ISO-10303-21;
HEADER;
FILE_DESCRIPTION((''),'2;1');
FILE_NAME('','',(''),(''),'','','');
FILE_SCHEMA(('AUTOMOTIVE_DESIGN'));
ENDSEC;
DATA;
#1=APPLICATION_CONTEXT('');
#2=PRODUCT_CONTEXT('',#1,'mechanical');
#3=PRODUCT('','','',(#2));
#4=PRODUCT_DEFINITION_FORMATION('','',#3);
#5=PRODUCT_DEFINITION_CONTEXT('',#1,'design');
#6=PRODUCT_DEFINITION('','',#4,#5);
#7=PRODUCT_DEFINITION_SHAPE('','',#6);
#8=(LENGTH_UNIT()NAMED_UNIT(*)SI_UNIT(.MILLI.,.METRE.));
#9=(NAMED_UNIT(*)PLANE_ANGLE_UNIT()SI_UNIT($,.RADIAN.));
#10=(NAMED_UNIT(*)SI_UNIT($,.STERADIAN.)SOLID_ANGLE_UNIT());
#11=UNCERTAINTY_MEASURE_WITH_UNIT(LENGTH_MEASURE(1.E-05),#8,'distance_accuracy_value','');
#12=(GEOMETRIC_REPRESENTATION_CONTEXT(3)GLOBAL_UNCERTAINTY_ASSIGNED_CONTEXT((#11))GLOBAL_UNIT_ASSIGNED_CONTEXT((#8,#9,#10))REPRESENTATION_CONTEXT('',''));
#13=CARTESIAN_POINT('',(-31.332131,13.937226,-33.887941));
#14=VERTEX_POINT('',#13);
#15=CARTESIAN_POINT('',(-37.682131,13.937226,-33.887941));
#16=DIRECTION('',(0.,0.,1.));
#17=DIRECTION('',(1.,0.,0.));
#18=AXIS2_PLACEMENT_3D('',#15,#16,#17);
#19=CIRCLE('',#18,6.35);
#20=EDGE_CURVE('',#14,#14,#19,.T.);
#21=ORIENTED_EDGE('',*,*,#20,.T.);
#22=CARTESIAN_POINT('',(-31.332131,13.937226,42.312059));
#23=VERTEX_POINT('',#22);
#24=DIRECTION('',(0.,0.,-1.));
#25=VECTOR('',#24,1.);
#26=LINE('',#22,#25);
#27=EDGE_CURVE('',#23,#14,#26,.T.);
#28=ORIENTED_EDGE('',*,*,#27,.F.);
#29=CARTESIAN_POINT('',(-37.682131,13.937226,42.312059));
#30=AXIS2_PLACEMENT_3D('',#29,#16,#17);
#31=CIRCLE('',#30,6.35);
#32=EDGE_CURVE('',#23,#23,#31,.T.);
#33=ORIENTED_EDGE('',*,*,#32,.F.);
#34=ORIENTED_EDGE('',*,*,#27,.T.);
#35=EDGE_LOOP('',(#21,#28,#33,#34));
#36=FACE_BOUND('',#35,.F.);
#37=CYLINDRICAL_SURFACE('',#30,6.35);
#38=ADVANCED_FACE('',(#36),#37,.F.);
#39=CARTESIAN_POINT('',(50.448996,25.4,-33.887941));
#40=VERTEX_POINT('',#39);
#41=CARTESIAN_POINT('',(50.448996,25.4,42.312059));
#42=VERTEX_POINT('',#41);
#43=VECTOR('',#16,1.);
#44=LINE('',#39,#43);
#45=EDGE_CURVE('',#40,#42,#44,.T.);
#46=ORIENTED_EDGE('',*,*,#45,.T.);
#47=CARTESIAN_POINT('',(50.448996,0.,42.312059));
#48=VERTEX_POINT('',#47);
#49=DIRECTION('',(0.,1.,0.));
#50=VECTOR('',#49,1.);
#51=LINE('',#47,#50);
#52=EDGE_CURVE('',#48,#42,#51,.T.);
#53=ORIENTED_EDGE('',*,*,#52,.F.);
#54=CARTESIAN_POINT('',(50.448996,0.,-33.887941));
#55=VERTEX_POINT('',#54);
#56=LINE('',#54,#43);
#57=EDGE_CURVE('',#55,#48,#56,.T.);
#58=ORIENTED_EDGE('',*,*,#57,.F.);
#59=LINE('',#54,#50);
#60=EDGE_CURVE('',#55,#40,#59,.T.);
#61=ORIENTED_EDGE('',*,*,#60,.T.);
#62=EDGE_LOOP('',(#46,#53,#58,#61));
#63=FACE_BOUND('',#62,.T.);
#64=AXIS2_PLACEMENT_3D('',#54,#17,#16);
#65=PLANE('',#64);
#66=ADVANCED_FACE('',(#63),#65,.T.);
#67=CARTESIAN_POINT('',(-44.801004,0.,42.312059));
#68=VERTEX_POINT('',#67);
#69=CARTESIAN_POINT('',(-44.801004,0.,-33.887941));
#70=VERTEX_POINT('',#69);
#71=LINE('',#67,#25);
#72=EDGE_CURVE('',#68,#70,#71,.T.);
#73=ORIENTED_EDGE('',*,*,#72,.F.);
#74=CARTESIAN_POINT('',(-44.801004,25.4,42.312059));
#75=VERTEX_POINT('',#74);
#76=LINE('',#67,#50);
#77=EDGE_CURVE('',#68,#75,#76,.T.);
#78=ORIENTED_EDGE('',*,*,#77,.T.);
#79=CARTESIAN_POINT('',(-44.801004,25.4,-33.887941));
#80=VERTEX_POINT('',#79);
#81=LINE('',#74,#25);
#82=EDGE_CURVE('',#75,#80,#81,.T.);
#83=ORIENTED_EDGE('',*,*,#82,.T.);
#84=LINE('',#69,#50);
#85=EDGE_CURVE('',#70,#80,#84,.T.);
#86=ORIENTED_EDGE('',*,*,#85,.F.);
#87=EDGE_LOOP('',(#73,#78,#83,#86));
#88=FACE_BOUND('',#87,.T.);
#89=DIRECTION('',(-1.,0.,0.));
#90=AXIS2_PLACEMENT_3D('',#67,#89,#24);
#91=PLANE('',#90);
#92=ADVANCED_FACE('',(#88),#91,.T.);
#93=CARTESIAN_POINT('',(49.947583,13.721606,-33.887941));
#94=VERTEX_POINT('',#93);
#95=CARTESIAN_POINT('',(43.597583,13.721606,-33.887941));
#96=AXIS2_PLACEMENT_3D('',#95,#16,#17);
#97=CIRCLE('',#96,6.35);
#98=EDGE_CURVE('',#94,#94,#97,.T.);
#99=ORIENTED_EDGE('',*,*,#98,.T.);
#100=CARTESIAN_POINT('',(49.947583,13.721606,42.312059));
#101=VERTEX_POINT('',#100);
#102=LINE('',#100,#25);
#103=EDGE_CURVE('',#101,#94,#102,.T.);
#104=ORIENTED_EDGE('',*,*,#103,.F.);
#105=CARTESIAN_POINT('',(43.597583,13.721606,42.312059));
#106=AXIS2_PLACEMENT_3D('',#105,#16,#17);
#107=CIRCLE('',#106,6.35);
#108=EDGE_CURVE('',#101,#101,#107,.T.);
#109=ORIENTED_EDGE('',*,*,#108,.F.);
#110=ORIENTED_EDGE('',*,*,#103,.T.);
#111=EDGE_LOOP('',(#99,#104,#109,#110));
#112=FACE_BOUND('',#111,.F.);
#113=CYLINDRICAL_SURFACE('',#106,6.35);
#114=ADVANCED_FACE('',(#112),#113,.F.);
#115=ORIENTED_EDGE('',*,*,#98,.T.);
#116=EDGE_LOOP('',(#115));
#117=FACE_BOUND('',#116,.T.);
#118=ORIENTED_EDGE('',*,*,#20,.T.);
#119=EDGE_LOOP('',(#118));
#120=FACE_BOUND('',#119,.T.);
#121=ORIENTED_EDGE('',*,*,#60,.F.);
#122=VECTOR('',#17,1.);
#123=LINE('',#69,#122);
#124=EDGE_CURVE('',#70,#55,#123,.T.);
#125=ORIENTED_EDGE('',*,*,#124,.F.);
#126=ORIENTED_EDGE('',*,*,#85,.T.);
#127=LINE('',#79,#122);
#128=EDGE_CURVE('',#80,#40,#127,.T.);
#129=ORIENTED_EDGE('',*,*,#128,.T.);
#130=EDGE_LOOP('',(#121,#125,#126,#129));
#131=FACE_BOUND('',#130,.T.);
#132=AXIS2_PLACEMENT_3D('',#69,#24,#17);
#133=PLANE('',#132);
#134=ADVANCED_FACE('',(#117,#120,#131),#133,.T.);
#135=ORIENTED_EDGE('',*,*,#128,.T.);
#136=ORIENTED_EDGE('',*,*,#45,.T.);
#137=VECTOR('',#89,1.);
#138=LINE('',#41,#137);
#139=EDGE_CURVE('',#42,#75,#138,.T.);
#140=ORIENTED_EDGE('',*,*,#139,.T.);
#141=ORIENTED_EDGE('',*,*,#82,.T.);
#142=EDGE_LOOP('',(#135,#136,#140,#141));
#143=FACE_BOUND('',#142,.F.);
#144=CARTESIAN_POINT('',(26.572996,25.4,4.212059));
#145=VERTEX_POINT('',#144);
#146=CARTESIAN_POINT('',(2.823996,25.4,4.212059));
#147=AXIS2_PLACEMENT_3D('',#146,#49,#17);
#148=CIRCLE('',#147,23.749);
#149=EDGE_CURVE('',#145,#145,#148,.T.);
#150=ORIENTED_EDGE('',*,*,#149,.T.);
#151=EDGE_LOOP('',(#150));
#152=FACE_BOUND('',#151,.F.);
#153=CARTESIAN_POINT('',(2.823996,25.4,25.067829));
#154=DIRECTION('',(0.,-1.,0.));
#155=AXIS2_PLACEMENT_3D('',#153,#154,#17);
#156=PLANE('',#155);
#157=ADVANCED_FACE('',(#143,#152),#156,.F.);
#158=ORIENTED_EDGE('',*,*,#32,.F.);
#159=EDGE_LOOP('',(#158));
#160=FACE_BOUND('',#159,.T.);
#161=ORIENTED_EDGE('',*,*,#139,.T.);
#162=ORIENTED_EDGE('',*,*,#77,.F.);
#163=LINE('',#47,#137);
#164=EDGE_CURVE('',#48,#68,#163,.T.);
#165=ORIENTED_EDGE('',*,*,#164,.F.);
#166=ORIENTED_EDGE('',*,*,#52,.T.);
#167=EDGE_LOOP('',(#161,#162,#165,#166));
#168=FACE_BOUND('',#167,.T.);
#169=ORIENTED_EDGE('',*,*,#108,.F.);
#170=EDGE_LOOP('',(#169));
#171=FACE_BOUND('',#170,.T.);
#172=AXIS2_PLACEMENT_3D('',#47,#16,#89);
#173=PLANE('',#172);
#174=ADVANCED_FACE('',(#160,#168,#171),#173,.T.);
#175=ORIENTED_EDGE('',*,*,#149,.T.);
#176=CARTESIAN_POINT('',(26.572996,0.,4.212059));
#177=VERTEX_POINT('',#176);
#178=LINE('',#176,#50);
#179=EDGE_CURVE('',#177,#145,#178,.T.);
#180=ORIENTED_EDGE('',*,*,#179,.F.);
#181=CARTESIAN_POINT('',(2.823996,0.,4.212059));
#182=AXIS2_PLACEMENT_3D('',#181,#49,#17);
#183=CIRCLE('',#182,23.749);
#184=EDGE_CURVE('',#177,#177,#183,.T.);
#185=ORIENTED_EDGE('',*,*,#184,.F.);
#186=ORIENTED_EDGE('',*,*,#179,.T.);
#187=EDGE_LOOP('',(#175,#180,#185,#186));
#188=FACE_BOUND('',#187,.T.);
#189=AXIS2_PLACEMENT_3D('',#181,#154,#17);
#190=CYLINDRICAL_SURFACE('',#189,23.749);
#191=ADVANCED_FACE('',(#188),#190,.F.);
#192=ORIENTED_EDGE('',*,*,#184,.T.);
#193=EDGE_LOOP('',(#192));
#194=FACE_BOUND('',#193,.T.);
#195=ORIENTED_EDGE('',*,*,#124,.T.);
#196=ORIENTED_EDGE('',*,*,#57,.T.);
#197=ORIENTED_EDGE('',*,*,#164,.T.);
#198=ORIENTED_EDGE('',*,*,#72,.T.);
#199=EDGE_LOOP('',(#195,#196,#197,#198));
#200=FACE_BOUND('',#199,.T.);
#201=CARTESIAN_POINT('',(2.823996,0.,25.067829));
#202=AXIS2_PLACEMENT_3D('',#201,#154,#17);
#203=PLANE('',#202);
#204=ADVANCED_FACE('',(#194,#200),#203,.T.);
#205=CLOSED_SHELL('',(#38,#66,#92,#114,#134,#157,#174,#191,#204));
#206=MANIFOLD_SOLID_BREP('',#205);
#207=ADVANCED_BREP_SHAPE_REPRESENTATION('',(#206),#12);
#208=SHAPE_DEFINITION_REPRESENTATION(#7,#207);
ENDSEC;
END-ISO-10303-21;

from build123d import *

# Parameters (mm, degrees)
F1_DEPTH = 25.4
F2_R     = 6.35
F3_DEPTH = 127


with BuildPart() as f1:
    # F0 (on Front) → F1 (new body)
    with BuildSketch(Plane.XZ):
        with BuildLine():
            Line((50.448996, 42.312059), (-44.801004, 42.312059))
            Line((-44.801004, 42.312059), (-44.801004, 4.212059))
            Line((-44.801004, 4.212059), (-20.925004, 4.212059))
            ThreePointArc((-20.925004, 4.212059), (2.823996, 27.961059), (26.572996, 4.212059))
            Line((26.572996, 4.212059), (50.448996, 4.212059))
            Line((50.448996, 4.212059), (50.448996, 42.312059))
        make_face()
        with BuildLine():
            Line((-20.925004, 4.212059), (-44.801004, 4.212059))
            Line((-44.801004, 4.212059), (-44.801004, -33.887941))
            Line((-44.801004, -33.887941), (50.448996, -33.887941))
            Line((50.448996, -33.887941), (50.448996, 4.212059))
            Line((50.448996, 4.212059), (26.572996, 4.212059))
            ThreePointArc((26.572996, 4.212059), (2.823996, -19.536941), (-20.925004, 4.212059))
        make_face()
    extrude(amount=-F1_DEPTH)

    # F2 (on face) → F3 (cut)
    with BuildSketch(Plane.XY.offset(42.312059)):
        with Locations((43.597583, 13.721606)):
            Circle(F2_R)
        with Locations((-37.682131, 13.937226)):
            Circle(F2_R)
    extrude(amount=-F3_DEPTH, mode=Mode.SUBTRACT)


solid = f1.part
